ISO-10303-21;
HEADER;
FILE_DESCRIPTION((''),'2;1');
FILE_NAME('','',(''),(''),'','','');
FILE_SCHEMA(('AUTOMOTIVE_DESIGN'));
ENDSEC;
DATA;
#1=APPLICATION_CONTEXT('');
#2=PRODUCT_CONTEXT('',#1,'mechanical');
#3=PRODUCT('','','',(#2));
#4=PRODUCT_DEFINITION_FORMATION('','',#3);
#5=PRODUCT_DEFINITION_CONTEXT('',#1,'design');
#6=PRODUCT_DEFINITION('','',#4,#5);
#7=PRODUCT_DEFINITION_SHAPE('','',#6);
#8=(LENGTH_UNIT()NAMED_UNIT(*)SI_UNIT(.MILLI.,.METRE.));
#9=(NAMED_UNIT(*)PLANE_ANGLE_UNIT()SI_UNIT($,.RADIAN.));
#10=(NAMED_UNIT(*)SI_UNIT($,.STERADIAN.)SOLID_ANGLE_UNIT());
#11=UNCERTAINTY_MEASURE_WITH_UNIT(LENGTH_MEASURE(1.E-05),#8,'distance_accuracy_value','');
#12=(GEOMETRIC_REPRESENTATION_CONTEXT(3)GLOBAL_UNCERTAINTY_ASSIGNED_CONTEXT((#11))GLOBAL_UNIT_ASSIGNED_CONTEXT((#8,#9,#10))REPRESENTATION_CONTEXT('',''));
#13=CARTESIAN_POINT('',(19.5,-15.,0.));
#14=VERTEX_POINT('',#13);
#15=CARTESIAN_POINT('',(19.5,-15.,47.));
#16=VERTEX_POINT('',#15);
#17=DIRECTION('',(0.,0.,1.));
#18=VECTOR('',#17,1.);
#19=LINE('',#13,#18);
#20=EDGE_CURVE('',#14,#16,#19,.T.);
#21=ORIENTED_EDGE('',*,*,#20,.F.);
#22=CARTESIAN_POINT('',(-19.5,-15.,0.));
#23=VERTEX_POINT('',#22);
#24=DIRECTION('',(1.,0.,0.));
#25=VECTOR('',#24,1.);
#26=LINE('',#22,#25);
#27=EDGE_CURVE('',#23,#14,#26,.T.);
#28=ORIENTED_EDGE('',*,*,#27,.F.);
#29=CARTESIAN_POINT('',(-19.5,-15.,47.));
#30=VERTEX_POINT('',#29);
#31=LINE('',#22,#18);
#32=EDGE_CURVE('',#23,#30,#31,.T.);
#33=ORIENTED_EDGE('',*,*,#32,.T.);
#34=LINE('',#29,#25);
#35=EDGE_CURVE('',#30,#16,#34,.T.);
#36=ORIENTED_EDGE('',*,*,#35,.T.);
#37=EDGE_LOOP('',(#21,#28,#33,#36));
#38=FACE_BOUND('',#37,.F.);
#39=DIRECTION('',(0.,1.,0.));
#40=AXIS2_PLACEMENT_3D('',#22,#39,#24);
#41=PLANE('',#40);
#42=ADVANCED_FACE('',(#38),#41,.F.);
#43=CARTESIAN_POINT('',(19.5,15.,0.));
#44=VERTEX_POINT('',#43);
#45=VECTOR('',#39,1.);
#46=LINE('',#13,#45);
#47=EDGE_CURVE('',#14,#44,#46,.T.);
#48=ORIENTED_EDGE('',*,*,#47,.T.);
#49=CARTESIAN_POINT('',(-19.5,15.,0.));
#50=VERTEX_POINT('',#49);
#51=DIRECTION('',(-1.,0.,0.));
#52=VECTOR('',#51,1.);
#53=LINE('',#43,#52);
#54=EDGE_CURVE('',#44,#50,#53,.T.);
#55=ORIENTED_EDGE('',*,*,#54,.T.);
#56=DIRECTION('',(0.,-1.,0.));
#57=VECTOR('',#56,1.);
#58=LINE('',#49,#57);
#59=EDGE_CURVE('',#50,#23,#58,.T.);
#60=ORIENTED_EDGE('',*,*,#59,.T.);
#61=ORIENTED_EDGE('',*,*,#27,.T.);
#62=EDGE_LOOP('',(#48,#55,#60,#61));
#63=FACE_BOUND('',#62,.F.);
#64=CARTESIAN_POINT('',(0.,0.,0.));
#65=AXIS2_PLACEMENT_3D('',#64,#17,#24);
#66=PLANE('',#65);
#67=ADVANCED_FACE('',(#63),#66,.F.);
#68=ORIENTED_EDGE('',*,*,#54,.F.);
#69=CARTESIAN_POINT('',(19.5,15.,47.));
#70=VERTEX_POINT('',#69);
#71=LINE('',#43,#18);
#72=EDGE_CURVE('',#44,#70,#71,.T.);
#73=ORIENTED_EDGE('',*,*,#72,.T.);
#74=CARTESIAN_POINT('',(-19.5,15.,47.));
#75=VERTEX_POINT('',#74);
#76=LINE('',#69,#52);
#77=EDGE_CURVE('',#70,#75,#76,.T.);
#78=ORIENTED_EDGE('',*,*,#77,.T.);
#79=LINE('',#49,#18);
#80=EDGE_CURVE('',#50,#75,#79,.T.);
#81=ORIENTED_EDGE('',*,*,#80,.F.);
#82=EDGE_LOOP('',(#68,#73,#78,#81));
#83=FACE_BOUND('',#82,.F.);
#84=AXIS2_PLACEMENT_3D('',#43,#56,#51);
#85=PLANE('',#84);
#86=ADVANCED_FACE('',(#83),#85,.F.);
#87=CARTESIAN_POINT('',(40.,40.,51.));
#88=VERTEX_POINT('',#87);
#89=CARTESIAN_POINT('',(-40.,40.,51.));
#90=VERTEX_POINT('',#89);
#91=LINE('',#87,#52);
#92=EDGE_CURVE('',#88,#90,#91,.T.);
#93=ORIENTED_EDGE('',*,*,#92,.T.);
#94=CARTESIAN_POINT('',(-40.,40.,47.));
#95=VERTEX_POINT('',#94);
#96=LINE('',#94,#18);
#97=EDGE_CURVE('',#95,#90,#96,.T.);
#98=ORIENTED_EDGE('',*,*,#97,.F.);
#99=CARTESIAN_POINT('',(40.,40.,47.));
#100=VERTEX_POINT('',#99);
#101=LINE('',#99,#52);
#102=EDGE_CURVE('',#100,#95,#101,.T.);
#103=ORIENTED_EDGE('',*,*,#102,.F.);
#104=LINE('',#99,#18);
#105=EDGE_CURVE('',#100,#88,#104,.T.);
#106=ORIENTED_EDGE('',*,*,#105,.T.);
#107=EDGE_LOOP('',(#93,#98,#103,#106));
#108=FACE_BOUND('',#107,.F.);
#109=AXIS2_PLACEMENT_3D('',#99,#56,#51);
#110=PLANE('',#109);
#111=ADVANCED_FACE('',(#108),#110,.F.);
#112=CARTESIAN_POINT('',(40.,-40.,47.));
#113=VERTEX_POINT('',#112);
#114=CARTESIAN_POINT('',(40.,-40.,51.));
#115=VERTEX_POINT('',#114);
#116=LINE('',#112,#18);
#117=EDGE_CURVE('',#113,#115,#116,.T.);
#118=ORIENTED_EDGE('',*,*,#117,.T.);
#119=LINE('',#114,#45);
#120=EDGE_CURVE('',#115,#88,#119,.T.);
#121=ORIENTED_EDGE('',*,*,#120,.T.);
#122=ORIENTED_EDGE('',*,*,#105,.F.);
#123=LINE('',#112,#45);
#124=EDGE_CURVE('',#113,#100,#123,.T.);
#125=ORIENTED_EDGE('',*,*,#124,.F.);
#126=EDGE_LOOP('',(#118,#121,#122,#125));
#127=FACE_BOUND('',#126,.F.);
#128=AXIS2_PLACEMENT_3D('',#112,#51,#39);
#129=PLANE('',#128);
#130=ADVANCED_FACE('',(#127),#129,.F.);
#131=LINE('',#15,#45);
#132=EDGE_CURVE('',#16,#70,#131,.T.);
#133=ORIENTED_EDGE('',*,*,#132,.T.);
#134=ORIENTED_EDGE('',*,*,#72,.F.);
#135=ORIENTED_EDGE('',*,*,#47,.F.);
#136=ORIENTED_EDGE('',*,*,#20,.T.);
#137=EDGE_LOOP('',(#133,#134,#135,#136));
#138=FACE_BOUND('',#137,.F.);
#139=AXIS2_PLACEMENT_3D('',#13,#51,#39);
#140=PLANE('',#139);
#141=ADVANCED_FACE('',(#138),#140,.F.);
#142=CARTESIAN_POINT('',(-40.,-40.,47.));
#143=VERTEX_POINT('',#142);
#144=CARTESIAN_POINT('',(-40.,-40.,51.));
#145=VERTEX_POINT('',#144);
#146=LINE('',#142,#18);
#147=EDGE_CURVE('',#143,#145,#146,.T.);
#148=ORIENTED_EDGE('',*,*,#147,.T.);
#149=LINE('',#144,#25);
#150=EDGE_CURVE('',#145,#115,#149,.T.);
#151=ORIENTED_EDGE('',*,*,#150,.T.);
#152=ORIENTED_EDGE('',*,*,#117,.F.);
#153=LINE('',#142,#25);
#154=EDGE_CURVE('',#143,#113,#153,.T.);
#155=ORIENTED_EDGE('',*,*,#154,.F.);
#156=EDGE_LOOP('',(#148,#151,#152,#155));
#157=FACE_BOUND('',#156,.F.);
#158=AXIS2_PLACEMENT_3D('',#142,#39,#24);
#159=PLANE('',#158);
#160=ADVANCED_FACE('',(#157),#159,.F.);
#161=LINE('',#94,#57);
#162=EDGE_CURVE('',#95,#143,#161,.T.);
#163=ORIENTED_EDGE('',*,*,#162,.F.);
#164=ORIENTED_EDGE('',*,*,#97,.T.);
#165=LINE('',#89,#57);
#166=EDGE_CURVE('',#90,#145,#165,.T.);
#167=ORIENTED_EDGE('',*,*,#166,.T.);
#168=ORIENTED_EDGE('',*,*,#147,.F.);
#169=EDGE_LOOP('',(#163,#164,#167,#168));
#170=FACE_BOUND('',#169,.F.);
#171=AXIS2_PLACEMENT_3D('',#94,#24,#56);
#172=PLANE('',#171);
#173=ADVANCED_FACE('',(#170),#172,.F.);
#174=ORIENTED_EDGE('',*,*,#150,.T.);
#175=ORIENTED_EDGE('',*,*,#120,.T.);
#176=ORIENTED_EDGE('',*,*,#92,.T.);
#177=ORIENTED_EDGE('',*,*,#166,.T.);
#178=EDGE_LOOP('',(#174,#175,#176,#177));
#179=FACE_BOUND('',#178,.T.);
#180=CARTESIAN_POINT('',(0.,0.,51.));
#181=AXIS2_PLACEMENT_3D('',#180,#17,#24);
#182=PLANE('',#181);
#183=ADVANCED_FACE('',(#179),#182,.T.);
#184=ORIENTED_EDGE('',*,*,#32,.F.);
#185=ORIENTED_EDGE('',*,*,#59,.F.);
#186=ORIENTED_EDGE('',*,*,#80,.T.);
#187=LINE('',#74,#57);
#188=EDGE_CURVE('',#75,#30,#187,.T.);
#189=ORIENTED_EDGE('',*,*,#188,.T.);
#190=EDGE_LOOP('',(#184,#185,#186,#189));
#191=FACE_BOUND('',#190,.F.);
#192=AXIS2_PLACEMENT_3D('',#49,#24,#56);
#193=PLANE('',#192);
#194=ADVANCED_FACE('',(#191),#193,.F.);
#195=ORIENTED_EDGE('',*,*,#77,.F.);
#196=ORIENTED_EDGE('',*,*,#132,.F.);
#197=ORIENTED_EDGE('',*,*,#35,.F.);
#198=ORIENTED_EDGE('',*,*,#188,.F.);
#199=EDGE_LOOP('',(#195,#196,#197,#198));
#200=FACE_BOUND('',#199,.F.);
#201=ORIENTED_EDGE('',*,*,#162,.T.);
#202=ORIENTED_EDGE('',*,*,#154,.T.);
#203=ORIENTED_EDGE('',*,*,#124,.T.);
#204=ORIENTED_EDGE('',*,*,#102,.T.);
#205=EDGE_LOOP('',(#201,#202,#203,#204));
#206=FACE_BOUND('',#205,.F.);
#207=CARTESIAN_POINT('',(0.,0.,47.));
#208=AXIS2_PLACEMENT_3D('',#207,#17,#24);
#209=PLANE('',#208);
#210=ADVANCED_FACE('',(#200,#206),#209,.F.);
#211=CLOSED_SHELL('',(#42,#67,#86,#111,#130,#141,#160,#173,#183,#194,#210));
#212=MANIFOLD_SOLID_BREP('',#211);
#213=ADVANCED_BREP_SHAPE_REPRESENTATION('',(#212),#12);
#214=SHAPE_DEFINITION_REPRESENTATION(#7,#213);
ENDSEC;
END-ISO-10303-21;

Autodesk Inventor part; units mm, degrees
ref_plane "YZ Plane" through (0, 0, 0) normal (1, 0, 0) x (0, 1, 0)
ref_plane "XZ Plane" through (0, 0, 0) normal (0, 1, 0) x (-1, 0, 0)
ref_plane "XY Plane" through (0, 0, 0) normal (0, 0, 1) x (1, 0, 0)
sketch "Skizze1" plane through (0, 0, 0) normal (0, 0, 1) x (1, 0, 0)
  line L0 (-19.5, -15) -> (19.5, -15)
  line L1 (19.5, -15) -> (19.5, 15)
  line L2 (19.5, 15) -> (-19.5, 15)
  line L3 (-19.5, 15) -> (-19.5, -15)
  line L4 (-19.5, -15) -> (19.5, 15) construction
  line L5 (19.5, -15) -> (-19.5, 15) construction
  point P0 (0, 0)
  point P1 (0, 0)
  point P2 (0, 0)
  dimension "d8" = 39
  dimension "d9" = 30
extrude "Extrusion1" add sketch "Skizze1" along normal blind 47
sketch "Skizze2" plane through (0, 0, 47) normal (0, 0, 1) x (1, 0, 0)
  line L0 (-40, -40) -> (40, -40)
  line L1 (40, -40) -> (40, 40)
  line L2 (40, 40) -> (-40, 40)
  line L3 (-40, 40) -> (-40, -40)
  point P0 (0, 0)
  point P1 (0, 40)
  point P2 (-40, 0)
  dimension "d4" = 80
extrude "Extrusion2" add sketch "Skizze2" along normal blind 4
properties part number "Beacon-Support"
